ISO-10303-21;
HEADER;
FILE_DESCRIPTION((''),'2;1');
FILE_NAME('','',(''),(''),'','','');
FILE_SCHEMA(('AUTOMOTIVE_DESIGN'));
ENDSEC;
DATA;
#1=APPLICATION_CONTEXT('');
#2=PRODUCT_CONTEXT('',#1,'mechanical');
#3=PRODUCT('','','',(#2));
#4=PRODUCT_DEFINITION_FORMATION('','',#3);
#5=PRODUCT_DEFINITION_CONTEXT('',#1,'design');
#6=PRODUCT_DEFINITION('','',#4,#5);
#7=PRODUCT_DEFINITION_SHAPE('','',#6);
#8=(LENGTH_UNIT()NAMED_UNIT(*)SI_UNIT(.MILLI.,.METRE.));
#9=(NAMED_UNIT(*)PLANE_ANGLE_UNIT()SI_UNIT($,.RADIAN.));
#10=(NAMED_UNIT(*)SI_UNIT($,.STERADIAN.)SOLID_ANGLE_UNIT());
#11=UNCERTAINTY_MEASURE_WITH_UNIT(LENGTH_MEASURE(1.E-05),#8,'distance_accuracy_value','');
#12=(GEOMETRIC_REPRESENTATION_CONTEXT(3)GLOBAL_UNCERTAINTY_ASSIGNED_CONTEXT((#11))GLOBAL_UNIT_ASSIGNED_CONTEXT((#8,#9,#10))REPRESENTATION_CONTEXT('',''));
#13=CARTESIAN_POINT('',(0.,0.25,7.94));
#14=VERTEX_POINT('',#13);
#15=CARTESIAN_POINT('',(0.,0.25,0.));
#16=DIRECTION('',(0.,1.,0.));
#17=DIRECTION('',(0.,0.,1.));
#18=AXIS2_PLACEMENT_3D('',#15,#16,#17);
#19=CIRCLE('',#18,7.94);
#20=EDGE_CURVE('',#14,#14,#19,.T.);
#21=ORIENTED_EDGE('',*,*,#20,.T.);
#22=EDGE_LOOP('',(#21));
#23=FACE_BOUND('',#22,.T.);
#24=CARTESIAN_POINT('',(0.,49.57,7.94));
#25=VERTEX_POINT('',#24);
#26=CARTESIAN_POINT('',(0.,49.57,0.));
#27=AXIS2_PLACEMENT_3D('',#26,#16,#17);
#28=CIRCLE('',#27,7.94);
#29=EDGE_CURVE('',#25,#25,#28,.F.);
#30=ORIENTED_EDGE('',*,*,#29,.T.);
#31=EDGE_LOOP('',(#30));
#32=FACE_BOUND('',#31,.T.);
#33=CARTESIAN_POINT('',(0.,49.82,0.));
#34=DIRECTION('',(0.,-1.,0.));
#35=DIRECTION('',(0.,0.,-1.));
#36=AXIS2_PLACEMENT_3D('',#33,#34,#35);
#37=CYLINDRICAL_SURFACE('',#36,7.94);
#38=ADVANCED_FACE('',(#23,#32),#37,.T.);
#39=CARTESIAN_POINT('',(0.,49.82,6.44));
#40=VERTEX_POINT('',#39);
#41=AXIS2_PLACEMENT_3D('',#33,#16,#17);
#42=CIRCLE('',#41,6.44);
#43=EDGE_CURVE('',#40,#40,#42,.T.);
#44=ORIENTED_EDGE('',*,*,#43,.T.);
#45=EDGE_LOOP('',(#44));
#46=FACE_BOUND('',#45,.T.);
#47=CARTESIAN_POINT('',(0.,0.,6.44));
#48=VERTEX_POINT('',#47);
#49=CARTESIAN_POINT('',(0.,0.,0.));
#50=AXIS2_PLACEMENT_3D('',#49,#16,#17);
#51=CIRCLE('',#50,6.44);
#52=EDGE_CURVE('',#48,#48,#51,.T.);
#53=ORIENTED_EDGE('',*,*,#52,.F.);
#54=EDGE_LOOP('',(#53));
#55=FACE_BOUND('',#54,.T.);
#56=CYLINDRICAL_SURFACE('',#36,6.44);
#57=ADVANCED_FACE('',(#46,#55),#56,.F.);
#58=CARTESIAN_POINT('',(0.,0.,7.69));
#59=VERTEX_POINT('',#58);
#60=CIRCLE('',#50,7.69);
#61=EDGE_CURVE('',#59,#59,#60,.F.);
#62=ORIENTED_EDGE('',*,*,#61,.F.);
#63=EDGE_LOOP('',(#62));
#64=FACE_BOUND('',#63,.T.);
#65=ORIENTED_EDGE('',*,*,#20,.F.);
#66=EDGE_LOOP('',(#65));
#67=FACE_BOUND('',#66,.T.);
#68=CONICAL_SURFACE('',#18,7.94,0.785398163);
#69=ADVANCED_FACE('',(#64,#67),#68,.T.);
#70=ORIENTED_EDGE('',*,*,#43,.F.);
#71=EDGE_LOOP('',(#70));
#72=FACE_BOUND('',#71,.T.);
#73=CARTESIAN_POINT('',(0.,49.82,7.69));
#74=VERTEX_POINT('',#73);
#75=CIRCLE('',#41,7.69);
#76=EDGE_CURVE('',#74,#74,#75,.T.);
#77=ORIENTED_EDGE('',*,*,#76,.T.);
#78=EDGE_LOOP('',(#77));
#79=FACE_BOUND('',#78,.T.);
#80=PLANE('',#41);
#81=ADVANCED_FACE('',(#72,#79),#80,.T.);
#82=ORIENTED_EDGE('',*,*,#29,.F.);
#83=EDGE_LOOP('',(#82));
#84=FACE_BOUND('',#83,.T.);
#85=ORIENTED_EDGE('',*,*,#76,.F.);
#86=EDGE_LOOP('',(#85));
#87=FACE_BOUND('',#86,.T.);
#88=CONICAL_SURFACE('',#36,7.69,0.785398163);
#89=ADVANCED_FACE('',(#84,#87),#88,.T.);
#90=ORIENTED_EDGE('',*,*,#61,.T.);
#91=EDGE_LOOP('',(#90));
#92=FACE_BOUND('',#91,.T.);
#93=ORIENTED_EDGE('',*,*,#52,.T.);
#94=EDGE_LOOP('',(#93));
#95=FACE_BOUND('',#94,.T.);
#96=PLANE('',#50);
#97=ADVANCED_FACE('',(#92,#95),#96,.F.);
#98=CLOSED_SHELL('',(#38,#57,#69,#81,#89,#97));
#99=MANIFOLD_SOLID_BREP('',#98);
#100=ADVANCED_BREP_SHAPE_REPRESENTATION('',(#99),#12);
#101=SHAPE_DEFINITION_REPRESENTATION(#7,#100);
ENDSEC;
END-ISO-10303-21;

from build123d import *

# Parameters (mm, degrees)
SKETCH1_R           = 7.94
SKETCH1_R_2         = 6.44
BOSS_EXTRUDE1_DEPTH = 49.82
CHAMFER1_SIZE       = 0.25


with BuildPart() as part:
    # Sketch1 → Boss-Extrude1 (new body)
    with BuildSketch(Plane(origin=(0, 0, 0), x_dir=(1, 0, 0), z_dir=(0, 1, 0))):
        Circle(SKETCH1_R)
        Circle(SKETCH1_R_2, mode=Mode.SUBTRACT)
    extrude(amount=BOSS_EXTRUDE1_DEPTH)

    # Chamfer1
    chamfer1_edges = [part.edges().sort_by_distance(p)[0] for p in [
        (-7.94, 0, 0),
        (-7.94, 49.82, 0),
    ]]
    chamfer(chamfer1_edges, length=CHAMFER1_SIZE)


solid = part.part
